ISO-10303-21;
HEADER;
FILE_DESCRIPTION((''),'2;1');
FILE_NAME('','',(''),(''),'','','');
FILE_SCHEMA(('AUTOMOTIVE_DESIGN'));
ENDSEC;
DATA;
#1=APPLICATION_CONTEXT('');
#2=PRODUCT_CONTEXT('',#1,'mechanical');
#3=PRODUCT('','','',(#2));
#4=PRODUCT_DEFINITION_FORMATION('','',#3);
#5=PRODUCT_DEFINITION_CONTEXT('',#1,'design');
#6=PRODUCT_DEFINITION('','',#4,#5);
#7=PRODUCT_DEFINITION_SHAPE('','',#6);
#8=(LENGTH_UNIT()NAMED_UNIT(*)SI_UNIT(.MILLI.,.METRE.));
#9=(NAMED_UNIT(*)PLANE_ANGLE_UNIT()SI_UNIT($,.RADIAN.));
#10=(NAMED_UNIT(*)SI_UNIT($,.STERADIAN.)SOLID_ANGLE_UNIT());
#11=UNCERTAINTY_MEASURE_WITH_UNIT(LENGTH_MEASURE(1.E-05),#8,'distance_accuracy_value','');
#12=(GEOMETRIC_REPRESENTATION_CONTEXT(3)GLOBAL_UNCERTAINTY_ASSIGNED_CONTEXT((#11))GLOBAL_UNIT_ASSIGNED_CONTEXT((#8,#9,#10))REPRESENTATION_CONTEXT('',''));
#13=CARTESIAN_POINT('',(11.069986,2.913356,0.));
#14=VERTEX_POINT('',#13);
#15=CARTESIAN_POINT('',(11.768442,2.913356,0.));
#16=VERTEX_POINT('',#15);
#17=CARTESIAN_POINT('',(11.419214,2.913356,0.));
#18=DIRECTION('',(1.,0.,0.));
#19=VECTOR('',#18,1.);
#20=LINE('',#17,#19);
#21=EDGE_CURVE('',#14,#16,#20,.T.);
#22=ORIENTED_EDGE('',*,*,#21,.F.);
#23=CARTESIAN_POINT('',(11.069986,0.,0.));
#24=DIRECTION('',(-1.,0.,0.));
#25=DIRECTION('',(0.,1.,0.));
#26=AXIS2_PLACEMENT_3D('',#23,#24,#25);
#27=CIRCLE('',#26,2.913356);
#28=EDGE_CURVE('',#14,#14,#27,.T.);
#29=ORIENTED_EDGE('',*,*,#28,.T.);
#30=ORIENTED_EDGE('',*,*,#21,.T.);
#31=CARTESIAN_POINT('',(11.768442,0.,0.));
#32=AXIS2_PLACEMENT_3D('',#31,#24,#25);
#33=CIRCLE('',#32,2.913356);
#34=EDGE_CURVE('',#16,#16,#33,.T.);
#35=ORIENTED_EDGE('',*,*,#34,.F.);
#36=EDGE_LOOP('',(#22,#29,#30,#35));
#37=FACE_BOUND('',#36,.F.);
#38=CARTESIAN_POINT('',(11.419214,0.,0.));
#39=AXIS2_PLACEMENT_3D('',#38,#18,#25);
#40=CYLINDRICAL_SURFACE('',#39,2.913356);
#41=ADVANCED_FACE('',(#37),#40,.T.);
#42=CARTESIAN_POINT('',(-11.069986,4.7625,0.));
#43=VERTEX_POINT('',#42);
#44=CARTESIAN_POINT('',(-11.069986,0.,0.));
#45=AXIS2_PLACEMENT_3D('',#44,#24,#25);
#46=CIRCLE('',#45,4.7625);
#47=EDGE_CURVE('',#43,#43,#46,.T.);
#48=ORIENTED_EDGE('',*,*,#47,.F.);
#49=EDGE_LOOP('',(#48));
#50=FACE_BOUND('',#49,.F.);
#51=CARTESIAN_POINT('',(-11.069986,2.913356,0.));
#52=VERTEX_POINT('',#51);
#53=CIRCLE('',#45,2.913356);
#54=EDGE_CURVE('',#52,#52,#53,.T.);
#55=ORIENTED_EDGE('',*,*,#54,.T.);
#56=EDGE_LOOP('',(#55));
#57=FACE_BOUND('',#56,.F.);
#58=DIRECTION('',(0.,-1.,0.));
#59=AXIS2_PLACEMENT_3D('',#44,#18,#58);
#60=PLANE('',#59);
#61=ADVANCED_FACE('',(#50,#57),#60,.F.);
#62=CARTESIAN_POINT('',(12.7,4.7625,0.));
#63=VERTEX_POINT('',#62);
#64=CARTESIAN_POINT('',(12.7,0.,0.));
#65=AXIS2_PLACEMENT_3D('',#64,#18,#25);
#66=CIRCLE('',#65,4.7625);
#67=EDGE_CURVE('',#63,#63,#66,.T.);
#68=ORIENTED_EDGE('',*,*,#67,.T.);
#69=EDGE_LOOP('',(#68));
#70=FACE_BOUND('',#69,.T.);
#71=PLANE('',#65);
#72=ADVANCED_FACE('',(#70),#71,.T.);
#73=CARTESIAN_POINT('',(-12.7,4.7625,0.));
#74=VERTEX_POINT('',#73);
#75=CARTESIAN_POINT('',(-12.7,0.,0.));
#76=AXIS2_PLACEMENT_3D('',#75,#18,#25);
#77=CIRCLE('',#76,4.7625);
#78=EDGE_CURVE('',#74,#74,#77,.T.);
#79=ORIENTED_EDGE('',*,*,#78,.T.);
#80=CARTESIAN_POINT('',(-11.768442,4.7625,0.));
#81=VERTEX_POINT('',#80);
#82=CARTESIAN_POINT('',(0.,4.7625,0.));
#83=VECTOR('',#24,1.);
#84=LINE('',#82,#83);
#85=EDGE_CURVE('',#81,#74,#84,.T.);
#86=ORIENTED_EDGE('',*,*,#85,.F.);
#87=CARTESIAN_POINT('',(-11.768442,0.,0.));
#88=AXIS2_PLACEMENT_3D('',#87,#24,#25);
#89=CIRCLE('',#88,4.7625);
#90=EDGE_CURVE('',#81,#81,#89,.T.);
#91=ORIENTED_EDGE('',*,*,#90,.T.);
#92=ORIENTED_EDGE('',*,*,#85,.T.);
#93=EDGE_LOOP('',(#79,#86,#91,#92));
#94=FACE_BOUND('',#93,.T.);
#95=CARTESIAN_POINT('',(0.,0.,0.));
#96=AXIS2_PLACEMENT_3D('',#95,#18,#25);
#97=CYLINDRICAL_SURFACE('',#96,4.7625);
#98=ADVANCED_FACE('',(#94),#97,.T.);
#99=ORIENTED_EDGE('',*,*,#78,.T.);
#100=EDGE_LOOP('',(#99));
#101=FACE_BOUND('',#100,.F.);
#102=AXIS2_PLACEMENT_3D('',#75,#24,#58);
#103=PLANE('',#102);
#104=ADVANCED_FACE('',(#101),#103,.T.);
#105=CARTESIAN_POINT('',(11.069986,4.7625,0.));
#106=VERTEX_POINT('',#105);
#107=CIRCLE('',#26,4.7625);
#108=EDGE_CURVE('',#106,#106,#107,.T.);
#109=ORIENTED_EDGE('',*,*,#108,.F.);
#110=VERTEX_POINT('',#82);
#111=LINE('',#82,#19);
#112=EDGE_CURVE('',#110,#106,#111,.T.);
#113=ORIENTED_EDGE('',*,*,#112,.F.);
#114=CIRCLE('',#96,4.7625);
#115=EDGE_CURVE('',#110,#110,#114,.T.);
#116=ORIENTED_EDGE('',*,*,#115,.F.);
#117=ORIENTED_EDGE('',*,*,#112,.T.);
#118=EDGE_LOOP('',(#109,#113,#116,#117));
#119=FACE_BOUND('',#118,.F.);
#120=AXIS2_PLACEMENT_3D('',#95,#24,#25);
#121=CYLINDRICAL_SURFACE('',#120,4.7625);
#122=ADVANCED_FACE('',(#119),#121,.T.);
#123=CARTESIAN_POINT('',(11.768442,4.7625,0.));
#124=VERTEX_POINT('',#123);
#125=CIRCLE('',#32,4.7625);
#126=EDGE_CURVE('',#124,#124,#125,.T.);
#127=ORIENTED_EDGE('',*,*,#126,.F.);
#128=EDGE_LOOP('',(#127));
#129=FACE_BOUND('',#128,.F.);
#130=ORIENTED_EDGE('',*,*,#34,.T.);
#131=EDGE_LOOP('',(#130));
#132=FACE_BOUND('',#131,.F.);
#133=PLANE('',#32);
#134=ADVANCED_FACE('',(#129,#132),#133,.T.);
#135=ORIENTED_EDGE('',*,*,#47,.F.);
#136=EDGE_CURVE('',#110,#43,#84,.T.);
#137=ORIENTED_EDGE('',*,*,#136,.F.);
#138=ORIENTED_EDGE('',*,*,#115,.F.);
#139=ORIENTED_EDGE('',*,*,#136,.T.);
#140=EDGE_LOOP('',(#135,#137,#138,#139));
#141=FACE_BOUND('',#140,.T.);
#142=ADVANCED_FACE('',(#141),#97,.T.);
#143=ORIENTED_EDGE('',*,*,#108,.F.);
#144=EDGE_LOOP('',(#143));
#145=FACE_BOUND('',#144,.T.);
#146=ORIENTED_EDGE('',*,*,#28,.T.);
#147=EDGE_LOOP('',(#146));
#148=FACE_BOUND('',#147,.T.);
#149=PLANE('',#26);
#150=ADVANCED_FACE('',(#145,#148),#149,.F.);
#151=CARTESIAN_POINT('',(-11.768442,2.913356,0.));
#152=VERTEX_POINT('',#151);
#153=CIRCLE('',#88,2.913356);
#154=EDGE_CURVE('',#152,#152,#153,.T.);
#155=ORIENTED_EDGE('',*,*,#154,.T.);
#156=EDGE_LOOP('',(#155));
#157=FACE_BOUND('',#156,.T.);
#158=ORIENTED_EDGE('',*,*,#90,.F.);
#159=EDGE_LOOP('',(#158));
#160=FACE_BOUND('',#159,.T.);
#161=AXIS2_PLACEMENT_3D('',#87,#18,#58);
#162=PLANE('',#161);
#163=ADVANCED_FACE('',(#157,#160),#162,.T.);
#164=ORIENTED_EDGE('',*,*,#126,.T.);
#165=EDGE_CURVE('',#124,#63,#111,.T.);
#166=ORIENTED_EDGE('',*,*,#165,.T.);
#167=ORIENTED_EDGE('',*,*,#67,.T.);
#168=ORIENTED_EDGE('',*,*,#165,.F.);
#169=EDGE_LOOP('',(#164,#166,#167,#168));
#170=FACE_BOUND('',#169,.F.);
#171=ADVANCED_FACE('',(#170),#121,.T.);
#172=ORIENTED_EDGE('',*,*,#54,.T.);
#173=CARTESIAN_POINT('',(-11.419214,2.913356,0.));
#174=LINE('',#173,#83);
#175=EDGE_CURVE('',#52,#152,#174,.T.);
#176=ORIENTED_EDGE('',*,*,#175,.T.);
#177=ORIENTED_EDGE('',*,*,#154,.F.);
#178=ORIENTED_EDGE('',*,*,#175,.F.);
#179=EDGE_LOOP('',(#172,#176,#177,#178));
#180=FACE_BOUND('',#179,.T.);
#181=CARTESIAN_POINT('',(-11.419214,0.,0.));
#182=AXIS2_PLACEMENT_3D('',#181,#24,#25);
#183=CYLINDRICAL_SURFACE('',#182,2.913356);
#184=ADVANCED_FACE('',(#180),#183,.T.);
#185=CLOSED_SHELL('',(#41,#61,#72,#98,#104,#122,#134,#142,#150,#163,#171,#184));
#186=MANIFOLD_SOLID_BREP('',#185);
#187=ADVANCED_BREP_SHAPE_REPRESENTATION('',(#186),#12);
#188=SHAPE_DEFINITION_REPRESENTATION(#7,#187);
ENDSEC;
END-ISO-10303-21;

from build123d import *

# Parameters (mm, degrees)
F0_R     = 4.7625
F1_DEPTH = 12.7
F2_W     = 0.698456
F2_H     = 2.279171


with BuildPart() as f1:
    # F0 (on Right) → F1 (new body)
    with BuildSketch(Plane.YZ):
        Circle(F0_R)
    extrude(amount=F1_DEPTH)

    # F2 (on Top) → F3 (revolve, cut)
    with BuildSketch(Plane.XY):
        with Locations((11.419214, 4.052942)):
            Rectangle(F2_W, F2_H)
    revolve(axis=Axis((11.608969, 0, 0), (-1, 0, 0)), mode=Mode.SUBTRACT)

    # F4: F1 across plane


with BuildPart() as f1_1:
    add(f1.part)
    add(f1.part.mirror(Plane.YZ))


solid = f1_1.part
